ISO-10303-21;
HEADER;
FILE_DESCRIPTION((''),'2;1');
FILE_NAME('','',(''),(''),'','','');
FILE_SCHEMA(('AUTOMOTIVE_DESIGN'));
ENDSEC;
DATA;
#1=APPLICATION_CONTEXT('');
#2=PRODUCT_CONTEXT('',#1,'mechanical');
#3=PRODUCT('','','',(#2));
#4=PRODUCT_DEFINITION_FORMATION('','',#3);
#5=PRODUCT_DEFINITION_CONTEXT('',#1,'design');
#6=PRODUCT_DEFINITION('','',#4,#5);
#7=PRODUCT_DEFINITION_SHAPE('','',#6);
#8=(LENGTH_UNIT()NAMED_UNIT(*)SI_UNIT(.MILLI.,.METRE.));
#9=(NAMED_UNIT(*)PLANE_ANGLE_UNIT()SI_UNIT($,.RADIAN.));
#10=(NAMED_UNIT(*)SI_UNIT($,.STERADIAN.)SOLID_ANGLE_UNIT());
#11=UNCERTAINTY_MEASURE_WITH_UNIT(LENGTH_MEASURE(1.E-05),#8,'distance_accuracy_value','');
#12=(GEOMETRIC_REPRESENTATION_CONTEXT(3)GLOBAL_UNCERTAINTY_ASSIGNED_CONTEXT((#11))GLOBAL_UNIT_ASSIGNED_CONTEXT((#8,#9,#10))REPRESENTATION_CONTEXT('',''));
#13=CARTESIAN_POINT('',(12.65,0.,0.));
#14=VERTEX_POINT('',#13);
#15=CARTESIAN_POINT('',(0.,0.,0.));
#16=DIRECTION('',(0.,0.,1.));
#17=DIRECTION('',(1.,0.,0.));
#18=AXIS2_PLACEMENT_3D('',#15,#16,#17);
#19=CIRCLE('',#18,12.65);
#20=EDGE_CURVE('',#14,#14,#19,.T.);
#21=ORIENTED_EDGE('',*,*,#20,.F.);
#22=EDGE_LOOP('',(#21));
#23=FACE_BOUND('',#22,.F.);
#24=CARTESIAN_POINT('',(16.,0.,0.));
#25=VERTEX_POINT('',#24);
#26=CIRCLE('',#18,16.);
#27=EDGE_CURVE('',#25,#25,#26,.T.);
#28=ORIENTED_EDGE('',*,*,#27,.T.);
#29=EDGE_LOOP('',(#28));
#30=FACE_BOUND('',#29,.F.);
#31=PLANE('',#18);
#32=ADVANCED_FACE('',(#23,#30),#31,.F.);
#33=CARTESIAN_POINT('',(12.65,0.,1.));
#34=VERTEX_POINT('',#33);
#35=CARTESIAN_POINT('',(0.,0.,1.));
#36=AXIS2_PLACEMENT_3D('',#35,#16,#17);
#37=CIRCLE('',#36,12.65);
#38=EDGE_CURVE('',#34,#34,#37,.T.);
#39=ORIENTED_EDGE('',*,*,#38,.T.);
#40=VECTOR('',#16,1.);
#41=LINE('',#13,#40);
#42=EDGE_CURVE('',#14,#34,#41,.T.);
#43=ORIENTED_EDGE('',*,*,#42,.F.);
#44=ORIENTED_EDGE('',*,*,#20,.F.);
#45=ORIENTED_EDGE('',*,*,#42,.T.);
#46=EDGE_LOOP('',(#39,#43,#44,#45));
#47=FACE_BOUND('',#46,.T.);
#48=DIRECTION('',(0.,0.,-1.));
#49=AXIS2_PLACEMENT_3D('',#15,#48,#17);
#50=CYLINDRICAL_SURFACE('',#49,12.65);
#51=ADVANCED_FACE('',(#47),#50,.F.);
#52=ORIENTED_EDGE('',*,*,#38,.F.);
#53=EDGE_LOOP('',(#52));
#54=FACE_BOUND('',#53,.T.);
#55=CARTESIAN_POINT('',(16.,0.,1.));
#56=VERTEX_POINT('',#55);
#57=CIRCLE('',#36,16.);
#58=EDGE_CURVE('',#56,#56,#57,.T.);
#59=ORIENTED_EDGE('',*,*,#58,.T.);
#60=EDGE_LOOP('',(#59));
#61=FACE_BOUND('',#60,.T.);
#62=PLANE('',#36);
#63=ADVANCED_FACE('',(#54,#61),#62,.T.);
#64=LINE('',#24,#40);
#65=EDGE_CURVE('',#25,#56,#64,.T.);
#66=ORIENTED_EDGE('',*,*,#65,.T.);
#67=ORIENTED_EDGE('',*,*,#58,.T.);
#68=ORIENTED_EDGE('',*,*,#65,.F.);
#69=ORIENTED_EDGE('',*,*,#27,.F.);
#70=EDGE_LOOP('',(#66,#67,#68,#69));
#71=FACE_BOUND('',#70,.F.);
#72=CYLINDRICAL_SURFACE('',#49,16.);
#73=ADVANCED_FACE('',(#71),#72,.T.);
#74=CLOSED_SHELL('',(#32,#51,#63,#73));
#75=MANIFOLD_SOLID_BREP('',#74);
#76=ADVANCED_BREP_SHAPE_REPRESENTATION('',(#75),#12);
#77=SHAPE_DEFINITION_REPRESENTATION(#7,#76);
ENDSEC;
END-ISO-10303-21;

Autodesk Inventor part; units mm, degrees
ref_plane "YZ Plane" through (0, 0, 0) normal (1, 0, 0) x (0, 1, 0)
ref_plane "XZ Plane" through (0, 0, 0) normal (0, 1, 0) x (-1, 0, 0)
ref_plane "XY Plane" through (0, 0, 0) normal (0, 0, 1) x (1, 0, 0)
sketch "スケッチ1" plane through (0, 0, 0) normal (0, 0, 1) x (1, 0, 0)
  circle A0 centre (0, 0) radius 12.65
  circle A1 centre (0, 0) radius 16
  dimension "d0" = 25.3
  dimension "d1" = 32
extrude "押し出し1" add sketch "スケッチ1" along normal blind 1
properties part number "TT-2532-10" material "PET プラスチック"
